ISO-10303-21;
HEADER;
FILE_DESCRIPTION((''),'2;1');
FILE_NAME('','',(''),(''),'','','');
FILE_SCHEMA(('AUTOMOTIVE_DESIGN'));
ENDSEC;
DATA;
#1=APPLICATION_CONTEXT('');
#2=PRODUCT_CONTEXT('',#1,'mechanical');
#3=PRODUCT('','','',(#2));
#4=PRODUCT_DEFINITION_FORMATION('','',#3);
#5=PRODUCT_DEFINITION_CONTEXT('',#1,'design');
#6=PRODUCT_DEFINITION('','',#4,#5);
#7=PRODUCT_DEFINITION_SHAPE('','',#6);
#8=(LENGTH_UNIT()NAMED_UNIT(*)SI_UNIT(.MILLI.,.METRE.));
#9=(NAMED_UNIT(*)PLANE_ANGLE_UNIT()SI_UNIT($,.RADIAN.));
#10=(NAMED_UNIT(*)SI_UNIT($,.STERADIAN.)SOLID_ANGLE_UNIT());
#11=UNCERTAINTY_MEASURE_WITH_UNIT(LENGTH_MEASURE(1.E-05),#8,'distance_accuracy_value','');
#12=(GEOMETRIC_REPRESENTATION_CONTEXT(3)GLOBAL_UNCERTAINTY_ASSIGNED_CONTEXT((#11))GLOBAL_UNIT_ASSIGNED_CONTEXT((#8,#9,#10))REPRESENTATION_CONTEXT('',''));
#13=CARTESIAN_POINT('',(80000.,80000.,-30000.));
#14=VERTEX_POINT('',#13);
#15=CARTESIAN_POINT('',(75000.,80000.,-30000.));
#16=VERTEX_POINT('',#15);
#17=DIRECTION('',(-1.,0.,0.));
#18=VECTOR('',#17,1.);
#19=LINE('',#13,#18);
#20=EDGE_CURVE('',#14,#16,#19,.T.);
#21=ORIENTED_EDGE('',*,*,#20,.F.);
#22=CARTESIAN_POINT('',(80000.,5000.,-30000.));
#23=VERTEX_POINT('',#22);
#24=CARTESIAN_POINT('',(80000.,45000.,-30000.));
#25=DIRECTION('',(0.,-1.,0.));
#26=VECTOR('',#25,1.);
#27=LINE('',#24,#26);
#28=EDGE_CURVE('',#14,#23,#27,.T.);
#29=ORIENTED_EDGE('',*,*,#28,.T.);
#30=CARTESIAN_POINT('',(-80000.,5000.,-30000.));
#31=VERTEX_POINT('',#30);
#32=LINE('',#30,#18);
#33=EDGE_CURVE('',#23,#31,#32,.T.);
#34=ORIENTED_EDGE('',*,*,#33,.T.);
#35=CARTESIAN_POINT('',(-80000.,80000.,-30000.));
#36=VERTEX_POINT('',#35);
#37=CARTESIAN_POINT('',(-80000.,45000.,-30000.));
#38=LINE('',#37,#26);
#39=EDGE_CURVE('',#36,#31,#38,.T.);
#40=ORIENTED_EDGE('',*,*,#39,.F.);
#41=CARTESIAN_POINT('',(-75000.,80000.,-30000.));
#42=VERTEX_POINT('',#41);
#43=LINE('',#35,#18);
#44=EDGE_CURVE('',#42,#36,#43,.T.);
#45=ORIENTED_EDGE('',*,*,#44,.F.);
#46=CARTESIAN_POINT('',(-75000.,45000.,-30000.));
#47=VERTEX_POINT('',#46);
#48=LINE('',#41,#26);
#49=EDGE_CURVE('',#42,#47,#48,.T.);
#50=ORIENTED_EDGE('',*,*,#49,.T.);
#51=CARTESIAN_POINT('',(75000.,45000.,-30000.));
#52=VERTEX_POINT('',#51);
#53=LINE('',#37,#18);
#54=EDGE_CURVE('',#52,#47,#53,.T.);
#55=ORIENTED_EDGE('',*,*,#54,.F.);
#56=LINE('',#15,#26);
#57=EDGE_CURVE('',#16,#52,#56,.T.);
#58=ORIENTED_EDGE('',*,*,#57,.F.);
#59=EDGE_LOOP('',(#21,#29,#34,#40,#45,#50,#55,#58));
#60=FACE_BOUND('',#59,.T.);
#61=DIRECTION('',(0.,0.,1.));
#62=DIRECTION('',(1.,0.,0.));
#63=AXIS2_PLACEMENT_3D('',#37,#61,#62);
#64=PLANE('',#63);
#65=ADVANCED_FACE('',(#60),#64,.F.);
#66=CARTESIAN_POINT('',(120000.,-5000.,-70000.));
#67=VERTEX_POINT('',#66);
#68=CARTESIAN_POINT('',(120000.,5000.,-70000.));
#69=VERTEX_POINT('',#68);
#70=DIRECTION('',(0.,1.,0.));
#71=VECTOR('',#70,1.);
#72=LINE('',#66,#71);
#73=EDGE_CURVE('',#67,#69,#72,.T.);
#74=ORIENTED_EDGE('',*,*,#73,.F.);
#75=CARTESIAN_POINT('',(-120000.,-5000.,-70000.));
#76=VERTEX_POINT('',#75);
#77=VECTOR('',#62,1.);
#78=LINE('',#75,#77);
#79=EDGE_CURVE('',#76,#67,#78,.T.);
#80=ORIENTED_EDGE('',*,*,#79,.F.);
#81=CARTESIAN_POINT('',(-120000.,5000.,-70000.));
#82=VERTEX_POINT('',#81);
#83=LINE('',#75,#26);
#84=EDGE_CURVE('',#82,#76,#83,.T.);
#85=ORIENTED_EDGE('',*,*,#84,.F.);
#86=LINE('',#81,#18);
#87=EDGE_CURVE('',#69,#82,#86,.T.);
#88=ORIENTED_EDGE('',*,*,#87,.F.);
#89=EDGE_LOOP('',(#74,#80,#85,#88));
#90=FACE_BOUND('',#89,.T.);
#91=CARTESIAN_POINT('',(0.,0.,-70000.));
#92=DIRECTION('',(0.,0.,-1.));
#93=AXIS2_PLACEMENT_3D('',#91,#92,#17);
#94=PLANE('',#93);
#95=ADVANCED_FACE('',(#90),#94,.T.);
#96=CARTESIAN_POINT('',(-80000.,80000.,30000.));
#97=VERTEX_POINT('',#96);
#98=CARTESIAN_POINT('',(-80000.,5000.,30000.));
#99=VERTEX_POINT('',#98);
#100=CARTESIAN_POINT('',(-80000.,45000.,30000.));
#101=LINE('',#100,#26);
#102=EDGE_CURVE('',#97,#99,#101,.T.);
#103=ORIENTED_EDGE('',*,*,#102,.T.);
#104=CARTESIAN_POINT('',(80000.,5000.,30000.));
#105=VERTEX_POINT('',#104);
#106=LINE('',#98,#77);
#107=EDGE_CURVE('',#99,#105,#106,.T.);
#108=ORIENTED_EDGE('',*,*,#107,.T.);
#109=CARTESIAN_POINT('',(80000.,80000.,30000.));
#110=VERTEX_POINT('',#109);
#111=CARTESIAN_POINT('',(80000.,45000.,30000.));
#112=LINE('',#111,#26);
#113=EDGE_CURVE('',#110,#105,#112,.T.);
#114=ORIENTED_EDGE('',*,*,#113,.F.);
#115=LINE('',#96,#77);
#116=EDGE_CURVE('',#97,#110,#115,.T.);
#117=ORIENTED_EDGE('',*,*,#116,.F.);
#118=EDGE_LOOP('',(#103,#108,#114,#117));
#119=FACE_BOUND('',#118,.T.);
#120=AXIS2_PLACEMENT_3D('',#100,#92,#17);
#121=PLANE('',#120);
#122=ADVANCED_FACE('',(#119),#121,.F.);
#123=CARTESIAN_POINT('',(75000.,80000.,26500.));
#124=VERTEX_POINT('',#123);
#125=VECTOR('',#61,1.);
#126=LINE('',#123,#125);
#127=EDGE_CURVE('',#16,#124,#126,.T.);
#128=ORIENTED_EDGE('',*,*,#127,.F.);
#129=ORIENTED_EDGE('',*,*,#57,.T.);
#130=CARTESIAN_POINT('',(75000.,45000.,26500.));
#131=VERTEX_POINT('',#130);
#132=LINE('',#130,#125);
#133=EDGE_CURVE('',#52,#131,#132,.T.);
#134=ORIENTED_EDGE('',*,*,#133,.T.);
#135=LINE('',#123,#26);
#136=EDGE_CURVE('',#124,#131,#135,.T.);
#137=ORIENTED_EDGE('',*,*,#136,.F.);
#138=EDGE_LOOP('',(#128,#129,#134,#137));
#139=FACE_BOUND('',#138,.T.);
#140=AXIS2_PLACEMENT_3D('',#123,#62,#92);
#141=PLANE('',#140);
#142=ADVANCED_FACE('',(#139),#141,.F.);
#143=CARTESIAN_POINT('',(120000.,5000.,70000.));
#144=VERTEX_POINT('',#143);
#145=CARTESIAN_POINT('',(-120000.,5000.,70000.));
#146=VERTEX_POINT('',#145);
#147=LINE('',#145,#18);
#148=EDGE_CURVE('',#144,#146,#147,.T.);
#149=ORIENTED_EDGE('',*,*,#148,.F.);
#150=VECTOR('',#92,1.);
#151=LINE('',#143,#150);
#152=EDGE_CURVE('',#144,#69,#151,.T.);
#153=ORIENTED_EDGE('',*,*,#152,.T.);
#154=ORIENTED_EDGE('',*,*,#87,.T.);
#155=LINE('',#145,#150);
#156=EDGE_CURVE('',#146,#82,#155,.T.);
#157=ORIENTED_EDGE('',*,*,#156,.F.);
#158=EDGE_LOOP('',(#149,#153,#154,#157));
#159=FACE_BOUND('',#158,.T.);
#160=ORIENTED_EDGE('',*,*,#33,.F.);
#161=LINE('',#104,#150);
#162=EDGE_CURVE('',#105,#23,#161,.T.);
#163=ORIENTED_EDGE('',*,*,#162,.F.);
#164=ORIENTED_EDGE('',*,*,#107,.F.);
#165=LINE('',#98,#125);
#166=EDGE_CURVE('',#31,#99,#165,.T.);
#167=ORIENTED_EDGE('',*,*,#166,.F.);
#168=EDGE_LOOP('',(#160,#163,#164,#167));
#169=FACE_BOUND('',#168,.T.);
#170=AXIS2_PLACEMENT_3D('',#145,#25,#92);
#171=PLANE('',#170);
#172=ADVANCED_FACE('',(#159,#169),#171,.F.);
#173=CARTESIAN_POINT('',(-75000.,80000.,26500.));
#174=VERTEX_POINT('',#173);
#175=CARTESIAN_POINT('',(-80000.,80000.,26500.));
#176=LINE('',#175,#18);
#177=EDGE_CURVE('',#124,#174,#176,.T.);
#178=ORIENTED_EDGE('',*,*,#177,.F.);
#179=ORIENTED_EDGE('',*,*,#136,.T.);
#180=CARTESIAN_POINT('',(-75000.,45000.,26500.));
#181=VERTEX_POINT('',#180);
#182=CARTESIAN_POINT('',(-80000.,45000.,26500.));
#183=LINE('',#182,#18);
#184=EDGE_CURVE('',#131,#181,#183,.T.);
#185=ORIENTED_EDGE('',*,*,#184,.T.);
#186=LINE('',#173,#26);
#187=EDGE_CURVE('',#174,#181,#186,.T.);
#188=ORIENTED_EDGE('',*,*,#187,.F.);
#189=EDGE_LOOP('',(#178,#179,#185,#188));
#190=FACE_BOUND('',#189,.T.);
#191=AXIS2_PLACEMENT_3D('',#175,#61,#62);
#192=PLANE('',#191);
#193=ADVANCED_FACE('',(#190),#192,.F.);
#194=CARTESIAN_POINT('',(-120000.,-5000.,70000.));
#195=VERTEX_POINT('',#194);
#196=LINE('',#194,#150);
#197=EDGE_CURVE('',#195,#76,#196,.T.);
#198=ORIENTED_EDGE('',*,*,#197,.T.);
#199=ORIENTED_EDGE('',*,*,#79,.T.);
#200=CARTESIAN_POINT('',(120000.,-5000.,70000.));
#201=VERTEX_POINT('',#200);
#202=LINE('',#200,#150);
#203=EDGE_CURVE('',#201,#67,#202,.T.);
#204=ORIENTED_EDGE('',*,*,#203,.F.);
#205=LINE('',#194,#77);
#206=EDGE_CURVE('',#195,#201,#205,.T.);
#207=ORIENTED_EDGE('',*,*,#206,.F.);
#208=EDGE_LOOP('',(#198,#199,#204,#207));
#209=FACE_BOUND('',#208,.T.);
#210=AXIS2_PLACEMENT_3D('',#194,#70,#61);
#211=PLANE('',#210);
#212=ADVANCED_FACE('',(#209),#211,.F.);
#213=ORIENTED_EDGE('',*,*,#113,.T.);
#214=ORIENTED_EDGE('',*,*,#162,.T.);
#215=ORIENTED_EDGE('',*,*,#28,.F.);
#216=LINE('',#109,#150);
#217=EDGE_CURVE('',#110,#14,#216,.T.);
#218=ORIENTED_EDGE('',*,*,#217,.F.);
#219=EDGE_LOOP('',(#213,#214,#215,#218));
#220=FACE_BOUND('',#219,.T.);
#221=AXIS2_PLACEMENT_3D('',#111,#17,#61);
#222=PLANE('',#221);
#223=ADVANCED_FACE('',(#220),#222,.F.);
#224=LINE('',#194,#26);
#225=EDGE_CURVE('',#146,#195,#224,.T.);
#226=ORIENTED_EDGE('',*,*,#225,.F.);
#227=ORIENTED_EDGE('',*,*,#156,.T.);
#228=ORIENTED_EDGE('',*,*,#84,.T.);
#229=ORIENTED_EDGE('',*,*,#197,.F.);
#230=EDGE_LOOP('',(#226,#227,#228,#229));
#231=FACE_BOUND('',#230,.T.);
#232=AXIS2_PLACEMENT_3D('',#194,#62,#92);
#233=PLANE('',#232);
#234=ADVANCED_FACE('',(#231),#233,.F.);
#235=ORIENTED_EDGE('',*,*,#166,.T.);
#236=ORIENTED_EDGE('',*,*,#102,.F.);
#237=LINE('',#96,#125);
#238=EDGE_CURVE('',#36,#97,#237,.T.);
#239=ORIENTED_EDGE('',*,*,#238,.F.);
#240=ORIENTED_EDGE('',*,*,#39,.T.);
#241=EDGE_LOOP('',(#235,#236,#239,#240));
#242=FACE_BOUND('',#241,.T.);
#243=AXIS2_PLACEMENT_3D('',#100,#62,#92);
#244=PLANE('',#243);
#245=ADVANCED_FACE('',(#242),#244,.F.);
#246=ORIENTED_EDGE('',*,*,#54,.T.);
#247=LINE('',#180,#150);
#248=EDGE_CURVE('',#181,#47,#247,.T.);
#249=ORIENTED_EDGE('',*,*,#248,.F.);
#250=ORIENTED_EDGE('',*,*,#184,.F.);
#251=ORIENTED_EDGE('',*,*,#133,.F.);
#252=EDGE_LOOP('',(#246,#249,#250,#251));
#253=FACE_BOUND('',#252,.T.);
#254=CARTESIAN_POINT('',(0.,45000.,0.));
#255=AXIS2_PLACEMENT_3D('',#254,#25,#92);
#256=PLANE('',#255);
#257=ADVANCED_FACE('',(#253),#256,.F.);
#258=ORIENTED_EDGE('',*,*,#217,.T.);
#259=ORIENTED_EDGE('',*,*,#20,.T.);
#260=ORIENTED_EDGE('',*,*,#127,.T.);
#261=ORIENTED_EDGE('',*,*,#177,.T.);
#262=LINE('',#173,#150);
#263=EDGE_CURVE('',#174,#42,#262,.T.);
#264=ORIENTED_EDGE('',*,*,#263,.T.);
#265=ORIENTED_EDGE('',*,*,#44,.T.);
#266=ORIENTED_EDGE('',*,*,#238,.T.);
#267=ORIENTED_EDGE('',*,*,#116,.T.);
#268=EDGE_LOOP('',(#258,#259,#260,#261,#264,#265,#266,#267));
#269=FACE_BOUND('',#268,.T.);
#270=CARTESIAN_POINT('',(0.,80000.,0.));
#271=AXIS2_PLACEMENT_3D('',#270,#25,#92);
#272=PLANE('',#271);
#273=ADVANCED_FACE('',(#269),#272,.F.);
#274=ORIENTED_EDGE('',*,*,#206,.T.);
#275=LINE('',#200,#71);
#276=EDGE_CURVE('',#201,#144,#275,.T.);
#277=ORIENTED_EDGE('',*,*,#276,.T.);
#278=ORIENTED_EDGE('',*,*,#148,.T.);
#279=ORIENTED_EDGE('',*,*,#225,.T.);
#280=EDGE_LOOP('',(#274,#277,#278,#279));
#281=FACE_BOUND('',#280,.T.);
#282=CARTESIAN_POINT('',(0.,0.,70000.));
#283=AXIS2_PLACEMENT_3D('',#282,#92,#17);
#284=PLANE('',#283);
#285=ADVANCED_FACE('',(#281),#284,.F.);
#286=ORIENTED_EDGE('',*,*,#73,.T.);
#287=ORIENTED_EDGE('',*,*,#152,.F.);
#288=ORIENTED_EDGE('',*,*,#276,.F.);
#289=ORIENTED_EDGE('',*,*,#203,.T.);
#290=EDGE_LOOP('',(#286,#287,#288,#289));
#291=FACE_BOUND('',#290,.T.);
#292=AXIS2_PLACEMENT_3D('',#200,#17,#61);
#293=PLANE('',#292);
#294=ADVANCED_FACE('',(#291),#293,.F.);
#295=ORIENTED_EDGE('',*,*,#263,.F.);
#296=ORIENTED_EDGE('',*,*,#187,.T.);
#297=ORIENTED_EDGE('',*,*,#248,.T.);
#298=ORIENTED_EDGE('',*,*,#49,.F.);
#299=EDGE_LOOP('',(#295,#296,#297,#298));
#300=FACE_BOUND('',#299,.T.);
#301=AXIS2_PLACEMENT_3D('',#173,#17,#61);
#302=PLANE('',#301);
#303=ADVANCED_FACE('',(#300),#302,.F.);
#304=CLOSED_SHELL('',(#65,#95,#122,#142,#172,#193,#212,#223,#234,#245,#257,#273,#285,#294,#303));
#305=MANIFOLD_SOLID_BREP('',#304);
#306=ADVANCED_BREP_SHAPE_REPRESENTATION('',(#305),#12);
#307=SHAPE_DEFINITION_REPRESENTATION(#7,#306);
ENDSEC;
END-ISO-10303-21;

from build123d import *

# Parameters (mm, degrees)
BOSS_EXTRUDE1_DEPTH      = 70000
BOSS_EXTRUDE1_DEPTH_BACK = 70000
SKETCH1_W                = 240000
SKETCH1_H                = 10000
SKETCH2_W                = 160000
SKETCH2_H                = 60000
BOSS_EXTRUDE2_DEPTH      = 40000
SKETCH3_W                = 160000
SKETCH3_H                = 3500
BOSS_EXTRUDE3_DEPTH      = 35000
SKETCH4_W                = 5000
SKETCH4_H                = 56500
BOSS_EXTRUDE4_DEPTH      = 35000


with BuildPart() as part:
    # Sketch1 → Boss-Extrude1 (new, two sides: drawn at the far end of the back side and taken through both)
    with BuildSketch(Plane.XY.offset(-BOSS_EXTRUDE1_DEPTH_BACK)):
        Rectangle(SKETCH1_W, SKETCH1_H)
    extrude(amount=BOSS_EXTRUDE1_DEPTH + BOSS_EXTRUDE1_DEPTH_BACK)

    # Sketch2 → Boss-Extrude2 (add)
    with BuildSketch(Plane(origin=(0, 5000, 0), x_dir=(1, 0, 0), z_dir=(0, 1, 0))):
        Rectangle(SKETCH2_W, SKETCH2_H)
    extrude(amount=BOSS_EXTRUDE2_DEPTH)

    # Sketch3 → Boss-Extrude3 (add)
    with BuildSketch(Plane(origin=(0, 45000, 0), x_dir=(1, 0, 0), z_dir=(0, 1, 0))):
        with Locations((0, -28250)):
            Rectangle(SKETCH3_W, SKETCH3_H)
    extrude(amount=BOSS_EXTRUDE3_DEPTH)

    # Sketch4 → Boss-Extrude4 (add)
    with BuildSketch(Plane(origin=(0, 45000, 0), x_dir=(1, 0, 0), z_dir=(0, 1, 0))):
        with Locations((-77500, 1750)):
            Rectangle(SKETCH4_W, SKETCH4_H)
        with Locations((77500, 1750)):
            Rectangle(SKETCH4_W, SKETCH4_H)
    extrude(amount=BOSS_EXTRUDE4_DEPTH)


solid = part.part
